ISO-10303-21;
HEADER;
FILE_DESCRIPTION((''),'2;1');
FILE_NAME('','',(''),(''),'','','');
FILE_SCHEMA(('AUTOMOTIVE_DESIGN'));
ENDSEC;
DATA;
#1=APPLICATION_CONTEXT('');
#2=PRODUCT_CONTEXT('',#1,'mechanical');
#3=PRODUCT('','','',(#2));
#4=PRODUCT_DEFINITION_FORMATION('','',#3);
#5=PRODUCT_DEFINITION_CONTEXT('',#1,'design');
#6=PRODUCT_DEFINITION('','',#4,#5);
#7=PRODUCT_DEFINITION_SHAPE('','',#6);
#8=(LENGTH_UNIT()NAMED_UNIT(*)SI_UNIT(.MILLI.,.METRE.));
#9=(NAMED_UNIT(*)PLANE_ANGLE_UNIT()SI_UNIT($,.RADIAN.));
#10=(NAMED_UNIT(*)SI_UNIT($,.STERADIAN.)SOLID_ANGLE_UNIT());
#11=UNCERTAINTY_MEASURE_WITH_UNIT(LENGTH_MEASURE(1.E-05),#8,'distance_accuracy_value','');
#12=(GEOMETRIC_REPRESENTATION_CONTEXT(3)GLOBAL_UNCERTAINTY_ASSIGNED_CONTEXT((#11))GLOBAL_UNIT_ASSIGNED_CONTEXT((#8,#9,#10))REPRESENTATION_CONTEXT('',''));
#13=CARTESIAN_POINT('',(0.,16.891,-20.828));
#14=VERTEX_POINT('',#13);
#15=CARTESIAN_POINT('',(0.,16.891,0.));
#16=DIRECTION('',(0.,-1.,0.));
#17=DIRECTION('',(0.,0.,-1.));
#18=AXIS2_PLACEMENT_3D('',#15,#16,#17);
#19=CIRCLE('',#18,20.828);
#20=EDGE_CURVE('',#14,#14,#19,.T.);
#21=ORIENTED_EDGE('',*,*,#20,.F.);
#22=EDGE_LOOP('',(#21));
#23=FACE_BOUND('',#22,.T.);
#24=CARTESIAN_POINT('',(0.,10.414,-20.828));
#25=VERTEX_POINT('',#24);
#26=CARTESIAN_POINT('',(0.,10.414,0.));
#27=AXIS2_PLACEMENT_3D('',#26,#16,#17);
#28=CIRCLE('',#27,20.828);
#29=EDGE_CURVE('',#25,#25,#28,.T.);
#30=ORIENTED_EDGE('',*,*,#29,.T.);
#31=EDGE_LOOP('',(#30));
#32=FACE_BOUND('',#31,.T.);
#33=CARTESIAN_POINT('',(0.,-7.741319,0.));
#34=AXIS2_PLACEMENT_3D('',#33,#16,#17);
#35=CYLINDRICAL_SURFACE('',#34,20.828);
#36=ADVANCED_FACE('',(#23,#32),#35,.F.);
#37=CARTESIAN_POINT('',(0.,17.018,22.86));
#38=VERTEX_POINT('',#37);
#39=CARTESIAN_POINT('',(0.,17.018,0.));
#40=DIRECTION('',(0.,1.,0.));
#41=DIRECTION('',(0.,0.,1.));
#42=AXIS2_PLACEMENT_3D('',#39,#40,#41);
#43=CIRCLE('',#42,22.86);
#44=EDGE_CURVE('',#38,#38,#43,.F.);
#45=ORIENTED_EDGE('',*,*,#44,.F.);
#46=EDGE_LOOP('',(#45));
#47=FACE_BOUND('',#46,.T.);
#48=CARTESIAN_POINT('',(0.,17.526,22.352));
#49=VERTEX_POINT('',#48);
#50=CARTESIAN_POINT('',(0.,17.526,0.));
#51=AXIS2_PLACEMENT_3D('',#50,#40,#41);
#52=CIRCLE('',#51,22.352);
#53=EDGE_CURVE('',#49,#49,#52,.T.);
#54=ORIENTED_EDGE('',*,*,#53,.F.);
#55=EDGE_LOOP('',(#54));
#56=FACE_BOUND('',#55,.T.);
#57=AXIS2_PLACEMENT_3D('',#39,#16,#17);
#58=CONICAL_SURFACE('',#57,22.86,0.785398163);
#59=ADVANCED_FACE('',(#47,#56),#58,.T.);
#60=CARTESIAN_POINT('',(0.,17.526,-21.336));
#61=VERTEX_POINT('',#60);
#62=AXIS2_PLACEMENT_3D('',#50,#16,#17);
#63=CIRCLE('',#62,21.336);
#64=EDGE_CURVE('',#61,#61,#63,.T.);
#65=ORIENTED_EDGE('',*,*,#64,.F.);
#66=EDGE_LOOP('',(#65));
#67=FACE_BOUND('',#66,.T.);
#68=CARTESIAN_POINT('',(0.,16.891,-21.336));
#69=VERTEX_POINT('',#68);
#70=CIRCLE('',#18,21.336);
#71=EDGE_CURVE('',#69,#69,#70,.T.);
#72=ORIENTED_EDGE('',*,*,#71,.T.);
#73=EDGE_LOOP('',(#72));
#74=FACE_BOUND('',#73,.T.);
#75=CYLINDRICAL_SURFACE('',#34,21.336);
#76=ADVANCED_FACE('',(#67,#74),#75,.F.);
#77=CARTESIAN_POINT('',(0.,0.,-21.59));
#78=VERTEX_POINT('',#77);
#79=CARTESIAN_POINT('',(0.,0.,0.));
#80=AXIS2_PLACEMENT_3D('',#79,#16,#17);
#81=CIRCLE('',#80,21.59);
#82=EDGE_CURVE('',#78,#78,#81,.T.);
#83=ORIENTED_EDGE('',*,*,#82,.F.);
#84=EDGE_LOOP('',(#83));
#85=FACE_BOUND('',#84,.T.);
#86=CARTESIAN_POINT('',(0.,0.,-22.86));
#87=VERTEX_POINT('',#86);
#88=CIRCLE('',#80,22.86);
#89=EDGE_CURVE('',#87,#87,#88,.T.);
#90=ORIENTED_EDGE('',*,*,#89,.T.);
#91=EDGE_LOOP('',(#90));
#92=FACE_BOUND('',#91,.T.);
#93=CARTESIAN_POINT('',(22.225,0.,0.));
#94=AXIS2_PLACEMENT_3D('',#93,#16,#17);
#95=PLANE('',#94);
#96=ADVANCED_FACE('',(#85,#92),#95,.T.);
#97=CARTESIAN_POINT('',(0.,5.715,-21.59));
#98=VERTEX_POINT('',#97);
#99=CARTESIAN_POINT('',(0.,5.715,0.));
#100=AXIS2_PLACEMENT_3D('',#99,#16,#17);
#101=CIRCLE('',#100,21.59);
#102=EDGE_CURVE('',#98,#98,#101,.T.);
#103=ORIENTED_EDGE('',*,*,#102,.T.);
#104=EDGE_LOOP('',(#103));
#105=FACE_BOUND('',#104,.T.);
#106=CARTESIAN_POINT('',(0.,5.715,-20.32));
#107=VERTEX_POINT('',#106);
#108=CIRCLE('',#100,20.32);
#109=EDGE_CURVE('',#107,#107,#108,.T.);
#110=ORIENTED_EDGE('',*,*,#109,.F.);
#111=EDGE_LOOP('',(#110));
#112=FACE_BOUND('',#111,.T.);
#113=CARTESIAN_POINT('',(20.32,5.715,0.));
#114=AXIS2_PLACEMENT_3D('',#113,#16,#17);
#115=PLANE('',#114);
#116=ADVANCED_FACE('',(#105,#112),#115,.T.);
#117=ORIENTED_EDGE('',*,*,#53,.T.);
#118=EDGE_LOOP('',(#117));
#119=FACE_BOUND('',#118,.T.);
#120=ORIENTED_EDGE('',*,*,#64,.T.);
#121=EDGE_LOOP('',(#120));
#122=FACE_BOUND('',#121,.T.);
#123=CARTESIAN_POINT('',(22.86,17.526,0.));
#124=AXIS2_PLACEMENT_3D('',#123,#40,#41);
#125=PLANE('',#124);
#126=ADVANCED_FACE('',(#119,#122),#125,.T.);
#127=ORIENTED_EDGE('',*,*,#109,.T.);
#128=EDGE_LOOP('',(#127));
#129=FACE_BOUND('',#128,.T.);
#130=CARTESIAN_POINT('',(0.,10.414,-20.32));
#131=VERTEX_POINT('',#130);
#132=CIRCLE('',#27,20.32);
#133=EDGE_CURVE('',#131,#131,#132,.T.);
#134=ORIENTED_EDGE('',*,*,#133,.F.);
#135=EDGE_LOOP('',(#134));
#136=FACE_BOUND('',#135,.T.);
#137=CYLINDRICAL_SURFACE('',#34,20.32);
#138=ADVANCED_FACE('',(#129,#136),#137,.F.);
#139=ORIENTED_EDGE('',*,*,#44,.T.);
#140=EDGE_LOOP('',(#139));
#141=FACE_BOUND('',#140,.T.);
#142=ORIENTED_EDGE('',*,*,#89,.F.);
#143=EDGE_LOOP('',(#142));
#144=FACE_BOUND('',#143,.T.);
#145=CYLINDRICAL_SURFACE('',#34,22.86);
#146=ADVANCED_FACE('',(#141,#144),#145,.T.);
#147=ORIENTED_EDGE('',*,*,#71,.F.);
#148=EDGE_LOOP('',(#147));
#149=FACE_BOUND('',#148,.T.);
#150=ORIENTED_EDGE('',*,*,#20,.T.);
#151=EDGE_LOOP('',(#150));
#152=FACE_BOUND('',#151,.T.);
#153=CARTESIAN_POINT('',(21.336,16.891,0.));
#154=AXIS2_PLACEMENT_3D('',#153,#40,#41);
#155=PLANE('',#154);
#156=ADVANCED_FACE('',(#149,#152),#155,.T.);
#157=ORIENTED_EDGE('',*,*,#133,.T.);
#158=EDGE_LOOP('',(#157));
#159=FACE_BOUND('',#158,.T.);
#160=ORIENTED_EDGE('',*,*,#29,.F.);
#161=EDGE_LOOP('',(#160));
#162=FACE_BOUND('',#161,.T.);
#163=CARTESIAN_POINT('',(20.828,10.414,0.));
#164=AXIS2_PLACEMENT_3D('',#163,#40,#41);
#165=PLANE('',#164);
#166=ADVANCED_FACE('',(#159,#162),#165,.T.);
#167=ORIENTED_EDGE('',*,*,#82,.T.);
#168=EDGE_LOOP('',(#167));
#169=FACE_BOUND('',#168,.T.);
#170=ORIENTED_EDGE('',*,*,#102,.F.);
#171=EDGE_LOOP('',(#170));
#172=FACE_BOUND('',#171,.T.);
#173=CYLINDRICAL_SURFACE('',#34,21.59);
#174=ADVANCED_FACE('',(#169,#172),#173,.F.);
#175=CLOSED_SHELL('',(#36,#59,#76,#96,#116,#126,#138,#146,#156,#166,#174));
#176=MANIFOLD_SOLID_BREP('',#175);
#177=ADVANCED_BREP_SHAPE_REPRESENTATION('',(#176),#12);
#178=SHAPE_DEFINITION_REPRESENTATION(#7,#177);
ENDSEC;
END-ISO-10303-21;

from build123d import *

# Parameters (mm, degrees)
CHAMFER1_SIZE       = 0.508
CHAMFER2_SIZE       = 0.254
BOSS_EXTRUDE1_REACH = 38.774
SKETCH2_R           = 22.86
SKETCH2_R_2         = 21.59


with BuildPart() as part:
    # Sketch1 → Revolve1 (revolve)
    with BuildSketch(Plane.XY, mode=Mode.PRIVATE) as revolve1_sk:
        Polygon((21.336, 16.891), (21.336, 17.526), (22.86, 17.526), (22.86, 0), (22.225, 0), (22.225, 2.413), (21.59, 2.413), (21.59, 5.588), (21.59, 5.715), (20.32, 5.715), (20.32, 10.414), (20.828, 10.414), (20.828, 16.256), (20.828, 16.891), align=None)
    revolve(revolve1_sk.sketch.rotate(Axis((0, -7.741318897, 0), (0, 1, 0)), 90), axis=Axis((0, -7.741318897, 0), (0, 1, 0)))

    # Chamfer1
    chamfer1_edges = [part.edges().sort_by_distance(p)[0] for p in [
        (0, 17.526, 22.86),
    ]]
    chamfer(chamfer1_edges, length=CHAMFER1_SIZE)

    # Chamfer2
    chamfer2_edges = [part.edges().sort_by_distance(p)[0] for p in [
        (0, 0, 22.225),
    ]]
    chamfer(chamfer2_edges, length=CHAMFER2_SIZE)

    # Sketch2 → Boss-Extrude1 (add, up to next)
    with BuildSketch(Plane.XZ, mode=Mode.PRIVATE) as boss_extrude1_sk1:
        with Locations(Location((0, 0, 0), (0, 0, 270))):
            Circle(SKETCH2_R)
        with Locations(Location((0, 0, 0), (0, 0, 270))):
            Circle(SKETCH2_R_2, mode=Mode.SUBTRACT)
    boss_extrude1_tool1 = extrude(boss_extrude1_sk1.sketch, amount=-BOSS_EXTRUDE1_REACH, mode=Mode.PRIVATE) - part.part
    add(boss_extrude1_tool1.solids().sort_by_distance((0, 0, 22.213422))[0])


solid = part.part
